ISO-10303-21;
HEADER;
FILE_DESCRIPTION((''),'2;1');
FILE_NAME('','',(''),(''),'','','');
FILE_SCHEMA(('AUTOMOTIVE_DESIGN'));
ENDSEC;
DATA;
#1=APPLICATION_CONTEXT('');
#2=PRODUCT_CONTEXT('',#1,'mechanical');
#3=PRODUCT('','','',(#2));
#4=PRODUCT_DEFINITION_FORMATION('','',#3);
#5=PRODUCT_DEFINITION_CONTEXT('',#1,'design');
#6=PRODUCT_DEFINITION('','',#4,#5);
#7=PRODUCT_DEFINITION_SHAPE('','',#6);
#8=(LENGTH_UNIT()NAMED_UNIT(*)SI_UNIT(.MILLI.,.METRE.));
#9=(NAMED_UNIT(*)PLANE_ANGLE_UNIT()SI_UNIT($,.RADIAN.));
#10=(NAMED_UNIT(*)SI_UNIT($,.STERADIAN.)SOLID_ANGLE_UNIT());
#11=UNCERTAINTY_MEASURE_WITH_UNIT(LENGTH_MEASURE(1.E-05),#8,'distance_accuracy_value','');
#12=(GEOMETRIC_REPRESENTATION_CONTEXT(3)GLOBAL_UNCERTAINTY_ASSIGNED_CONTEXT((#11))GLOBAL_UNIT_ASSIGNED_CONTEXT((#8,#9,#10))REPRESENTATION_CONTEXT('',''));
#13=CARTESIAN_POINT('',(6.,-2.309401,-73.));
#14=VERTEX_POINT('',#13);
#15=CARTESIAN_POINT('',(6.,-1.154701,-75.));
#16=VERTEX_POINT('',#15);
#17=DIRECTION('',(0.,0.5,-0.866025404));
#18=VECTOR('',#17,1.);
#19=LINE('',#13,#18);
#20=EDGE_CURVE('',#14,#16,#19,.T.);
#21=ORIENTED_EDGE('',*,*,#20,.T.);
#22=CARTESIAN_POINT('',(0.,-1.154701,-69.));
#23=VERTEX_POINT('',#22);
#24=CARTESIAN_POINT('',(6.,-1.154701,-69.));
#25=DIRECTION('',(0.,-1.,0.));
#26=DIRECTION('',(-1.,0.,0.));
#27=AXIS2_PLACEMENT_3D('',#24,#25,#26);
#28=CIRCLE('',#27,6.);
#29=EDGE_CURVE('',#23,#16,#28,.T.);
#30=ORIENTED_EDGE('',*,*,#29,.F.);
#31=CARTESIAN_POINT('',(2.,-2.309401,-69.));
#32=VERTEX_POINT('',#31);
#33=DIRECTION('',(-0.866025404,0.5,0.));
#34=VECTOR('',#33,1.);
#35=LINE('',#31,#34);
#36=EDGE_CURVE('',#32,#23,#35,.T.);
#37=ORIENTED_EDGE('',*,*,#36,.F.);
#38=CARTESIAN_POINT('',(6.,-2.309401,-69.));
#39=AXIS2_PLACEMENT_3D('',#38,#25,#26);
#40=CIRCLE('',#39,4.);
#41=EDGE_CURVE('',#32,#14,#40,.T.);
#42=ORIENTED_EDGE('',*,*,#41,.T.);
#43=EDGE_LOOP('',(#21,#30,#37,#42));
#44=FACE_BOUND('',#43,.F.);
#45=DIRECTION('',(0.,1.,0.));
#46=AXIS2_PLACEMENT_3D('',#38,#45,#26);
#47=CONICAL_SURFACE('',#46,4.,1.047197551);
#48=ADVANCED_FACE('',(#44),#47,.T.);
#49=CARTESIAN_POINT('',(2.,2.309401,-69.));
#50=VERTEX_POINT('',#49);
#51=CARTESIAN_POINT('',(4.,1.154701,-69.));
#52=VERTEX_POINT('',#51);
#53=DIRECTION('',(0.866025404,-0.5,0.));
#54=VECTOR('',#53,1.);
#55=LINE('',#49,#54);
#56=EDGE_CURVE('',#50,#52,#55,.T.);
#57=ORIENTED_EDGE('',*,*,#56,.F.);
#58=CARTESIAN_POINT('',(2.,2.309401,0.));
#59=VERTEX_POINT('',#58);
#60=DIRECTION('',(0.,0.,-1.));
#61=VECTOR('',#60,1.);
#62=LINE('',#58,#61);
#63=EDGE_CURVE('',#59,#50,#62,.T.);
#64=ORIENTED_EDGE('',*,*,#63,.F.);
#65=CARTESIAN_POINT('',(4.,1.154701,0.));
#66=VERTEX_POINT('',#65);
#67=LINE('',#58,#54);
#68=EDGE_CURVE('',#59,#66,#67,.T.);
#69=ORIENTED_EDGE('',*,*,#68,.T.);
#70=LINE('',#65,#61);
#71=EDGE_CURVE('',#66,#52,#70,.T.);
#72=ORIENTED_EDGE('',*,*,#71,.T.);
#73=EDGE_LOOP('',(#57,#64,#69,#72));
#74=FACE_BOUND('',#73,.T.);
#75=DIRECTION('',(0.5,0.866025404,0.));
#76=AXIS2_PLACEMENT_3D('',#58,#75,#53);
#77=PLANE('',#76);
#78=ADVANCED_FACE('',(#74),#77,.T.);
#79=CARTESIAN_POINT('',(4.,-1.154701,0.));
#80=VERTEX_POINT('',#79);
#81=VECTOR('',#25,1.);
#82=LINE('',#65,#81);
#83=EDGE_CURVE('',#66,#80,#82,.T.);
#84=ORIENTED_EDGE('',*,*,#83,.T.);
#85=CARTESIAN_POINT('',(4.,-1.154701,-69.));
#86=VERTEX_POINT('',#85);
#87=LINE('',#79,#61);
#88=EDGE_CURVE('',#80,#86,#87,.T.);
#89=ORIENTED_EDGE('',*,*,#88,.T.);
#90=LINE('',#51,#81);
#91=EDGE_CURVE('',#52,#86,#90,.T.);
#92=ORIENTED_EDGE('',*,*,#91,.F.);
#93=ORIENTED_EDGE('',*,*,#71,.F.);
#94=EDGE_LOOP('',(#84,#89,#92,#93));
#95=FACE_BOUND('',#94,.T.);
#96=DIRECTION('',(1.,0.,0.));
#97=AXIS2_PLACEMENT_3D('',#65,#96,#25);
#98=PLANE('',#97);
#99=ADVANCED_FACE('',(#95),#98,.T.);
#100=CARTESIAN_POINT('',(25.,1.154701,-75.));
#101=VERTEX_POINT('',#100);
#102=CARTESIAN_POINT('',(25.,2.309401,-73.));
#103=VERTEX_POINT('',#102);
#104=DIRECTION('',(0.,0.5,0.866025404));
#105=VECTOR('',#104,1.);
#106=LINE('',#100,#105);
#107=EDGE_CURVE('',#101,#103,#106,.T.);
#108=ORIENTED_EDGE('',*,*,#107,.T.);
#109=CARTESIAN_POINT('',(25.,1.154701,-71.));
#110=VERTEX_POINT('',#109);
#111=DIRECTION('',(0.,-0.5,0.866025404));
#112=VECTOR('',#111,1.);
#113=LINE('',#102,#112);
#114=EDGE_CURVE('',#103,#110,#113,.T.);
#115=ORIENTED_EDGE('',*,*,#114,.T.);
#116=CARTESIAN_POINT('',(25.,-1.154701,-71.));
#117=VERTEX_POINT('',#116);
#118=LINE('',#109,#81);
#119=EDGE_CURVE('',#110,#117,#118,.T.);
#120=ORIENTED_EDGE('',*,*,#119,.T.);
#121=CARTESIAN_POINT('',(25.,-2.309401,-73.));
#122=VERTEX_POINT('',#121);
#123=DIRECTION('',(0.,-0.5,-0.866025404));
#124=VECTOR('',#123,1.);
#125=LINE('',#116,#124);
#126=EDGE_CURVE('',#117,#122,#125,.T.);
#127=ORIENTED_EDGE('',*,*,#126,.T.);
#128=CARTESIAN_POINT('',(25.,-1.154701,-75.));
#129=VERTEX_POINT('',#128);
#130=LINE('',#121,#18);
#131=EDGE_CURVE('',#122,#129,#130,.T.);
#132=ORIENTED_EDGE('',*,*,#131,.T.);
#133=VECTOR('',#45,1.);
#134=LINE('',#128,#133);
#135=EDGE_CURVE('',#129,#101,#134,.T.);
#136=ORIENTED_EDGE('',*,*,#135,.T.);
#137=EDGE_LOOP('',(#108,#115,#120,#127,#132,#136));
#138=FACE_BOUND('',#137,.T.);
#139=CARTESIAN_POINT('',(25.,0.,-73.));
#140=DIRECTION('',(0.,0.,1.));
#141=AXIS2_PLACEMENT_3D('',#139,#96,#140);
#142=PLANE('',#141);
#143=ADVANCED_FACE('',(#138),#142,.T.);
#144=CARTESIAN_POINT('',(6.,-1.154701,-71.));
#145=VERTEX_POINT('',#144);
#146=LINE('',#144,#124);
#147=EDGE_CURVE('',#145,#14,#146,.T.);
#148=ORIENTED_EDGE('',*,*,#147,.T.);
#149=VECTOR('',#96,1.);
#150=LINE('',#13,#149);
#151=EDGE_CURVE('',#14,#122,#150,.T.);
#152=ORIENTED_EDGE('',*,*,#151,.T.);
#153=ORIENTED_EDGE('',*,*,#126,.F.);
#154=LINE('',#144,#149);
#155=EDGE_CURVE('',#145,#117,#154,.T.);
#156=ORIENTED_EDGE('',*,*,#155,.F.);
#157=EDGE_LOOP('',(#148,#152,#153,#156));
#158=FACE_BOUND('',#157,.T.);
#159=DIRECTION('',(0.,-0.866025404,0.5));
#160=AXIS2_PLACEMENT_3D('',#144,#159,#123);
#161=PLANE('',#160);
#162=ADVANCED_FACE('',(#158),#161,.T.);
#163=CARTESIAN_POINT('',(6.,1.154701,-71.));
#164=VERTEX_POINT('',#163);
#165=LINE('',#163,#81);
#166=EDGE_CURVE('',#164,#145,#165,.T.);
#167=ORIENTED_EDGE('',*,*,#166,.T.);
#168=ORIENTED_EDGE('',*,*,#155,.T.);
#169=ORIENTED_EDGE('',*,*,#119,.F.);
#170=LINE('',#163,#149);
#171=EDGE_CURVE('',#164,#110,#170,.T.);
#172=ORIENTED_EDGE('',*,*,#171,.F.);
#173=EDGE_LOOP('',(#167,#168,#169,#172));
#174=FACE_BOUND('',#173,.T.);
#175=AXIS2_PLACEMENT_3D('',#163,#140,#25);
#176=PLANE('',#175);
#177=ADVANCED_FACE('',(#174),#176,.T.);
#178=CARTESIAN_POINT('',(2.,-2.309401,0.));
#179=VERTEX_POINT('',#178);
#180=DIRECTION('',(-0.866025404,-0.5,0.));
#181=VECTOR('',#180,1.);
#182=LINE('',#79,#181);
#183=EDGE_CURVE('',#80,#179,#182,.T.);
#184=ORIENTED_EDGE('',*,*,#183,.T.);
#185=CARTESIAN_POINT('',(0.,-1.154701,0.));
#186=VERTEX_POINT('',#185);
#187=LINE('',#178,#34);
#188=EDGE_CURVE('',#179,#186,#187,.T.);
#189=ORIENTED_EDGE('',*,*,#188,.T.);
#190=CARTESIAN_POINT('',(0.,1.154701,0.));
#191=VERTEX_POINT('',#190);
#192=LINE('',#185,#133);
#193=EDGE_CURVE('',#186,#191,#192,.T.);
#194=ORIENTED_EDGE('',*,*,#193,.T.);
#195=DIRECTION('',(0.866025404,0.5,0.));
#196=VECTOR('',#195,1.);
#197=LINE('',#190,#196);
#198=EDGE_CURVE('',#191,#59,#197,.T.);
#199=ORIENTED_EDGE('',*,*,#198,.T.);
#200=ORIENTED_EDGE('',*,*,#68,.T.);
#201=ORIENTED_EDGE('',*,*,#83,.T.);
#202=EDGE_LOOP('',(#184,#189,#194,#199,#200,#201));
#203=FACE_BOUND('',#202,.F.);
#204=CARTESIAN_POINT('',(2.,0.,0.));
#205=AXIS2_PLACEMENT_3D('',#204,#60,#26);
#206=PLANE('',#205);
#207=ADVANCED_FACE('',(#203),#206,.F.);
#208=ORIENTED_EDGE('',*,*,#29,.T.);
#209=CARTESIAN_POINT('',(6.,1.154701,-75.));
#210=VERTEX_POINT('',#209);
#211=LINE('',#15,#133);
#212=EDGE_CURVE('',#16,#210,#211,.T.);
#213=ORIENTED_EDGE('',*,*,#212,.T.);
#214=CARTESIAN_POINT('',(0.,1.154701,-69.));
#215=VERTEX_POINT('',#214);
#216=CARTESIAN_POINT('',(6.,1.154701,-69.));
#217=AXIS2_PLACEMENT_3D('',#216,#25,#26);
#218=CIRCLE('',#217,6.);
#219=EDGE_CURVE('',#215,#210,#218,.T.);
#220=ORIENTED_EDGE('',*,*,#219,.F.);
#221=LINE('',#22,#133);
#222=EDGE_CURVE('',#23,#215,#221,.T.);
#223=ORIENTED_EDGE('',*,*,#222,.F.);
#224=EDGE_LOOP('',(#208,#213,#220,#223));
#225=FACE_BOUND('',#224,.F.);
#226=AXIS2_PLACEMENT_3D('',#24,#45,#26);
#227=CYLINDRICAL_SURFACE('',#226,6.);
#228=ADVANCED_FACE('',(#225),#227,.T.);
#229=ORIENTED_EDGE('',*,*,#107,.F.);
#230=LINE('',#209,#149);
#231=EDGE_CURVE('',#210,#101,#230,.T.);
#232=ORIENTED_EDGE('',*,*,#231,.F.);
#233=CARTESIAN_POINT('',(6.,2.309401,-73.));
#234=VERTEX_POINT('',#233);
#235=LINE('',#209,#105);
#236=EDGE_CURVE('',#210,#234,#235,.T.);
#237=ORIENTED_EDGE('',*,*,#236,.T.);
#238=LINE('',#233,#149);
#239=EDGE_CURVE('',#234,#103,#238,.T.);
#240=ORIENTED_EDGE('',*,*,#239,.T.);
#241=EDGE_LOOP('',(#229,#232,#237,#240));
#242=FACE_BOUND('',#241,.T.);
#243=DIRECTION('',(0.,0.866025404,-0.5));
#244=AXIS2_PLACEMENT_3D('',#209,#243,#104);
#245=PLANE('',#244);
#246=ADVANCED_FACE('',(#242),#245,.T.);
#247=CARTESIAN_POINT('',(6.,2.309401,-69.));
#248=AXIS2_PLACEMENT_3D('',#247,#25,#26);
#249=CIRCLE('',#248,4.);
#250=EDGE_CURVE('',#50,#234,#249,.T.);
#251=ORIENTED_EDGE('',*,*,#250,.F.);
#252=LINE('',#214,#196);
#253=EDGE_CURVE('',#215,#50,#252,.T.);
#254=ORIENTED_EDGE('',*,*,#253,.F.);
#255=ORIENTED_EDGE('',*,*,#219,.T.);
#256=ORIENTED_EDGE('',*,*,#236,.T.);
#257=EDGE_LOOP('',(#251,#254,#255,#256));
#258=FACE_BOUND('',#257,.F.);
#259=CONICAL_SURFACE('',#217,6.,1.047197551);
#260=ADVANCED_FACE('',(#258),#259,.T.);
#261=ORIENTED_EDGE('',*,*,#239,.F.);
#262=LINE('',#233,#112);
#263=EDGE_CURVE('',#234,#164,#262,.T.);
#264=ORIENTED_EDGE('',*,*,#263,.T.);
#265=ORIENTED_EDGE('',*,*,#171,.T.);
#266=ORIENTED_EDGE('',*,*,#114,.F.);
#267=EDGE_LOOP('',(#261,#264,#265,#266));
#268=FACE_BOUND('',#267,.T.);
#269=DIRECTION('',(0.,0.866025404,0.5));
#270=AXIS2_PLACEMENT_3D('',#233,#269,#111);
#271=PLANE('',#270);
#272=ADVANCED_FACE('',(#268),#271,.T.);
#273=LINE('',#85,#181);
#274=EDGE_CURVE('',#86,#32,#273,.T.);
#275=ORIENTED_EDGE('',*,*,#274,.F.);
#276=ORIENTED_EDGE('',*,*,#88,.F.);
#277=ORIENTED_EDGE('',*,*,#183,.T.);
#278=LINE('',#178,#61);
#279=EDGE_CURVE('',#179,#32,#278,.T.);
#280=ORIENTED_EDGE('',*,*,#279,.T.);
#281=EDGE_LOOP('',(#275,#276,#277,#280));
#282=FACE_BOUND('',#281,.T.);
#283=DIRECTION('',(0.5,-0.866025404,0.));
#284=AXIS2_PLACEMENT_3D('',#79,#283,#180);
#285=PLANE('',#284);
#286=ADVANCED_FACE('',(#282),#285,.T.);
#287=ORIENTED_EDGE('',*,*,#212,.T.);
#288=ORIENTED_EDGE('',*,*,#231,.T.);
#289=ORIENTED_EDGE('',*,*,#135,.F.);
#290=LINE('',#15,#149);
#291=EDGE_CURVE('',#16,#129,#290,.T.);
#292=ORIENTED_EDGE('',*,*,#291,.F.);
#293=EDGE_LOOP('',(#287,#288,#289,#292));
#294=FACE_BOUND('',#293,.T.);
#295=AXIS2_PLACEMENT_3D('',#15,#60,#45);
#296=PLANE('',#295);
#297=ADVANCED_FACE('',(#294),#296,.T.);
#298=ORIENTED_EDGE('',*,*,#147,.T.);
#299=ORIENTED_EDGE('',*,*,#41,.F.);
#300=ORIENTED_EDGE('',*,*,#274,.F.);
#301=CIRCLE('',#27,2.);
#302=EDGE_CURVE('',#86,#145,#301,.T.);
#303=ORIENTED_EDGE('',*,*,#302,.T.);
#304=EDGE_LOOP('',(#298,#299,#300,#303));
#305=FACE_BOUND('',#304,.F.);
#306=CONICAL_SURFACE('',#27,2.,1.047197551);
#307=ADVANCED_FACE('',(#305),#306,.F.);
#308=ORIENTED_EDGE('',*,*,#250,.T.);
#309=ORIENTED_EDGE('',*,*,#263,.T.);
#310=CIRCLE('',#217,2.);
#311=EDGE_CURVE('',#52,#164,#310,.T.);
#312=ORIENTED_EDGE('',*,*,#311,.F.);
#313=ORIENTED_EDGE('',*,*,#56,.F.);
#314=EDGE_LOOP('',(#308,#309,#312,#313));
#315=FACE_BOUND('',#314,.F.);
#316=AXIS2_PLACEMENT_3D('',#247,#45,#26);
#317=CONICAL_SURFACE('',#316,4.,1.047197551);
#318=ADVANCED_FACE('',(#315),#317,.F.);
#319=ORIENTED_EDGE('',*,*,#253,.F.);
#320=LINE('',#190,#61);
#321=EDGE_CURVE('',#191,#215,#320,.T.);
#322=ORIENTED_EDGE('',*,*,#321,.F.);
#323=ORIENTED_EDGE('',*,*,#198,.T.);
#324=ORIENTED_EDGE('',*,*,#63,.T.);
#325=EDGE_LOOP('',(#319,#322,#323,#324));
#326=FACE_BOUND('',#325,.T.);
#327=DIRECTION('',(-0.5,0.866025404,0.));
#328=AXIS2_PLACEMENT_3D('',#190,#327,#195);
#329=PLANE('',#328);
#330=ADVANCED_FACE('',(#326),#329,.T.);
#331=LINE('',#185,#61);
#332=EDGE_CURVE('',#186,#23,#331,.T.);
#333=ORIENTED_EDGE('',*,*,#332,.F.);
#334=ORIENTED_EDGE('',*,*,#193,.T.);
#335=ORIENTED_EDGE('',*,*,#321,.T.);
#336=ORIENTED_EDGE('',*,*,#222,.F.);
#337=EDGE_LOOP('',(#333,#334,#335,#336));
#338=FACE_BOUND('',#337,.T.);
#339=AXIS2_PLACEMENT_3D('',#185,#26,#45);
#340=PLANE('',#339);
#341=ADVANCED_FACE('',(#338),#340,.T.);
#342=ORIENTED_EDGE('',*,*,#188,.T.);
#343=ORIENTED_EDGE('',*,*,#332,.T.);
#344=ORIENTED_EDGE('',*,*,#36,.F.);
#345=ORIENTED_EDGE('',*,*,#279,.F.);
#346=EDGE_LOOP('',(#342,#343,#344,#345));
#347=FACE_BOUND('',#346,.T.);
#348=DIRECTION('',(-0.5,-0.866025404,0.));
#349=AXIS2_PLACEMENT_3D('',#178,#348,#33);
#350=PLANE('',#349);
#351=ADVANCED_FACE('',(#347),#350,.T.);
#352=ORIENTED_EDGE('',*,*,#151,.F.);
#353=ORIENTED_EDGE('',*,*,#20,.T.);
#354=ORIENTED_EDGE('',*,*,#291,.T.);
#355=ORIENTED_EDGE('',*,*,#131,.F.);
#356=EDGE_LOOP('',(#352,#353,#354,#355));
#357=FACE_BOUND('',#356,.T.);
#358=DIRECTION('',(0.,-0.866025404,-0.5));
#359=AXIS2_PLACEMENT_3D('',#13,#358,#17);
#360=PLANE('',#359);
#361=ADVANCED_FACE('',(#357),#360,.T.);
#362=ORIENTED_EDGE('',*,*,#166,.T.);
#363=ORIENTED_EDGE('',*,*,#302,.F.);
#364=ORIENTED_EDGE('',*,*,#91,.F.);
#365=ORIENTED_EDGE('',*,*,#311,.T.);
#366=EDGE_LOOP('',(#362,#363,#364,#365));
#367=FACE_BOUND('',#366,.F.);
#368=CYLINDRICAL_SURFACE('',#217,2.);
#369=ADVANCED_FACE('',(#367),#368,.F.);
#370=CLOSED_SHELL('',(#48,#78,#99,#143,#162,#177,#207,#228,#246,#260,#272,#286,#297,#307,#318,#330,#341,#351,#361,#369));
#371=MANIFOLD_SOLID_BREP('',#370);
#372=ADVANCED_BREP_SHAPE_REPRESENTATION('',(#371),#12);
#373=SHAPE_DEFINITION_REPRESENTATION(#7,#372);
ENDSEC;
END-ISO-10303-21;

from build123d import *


with BuildPart() as part:
    # Sweep2: sweep along a path in Sketch1
    with BuildLine(Plane(origin=(0, 0, 0), x_dir=(1, 0, 0), z_dir=(0, 1, 0))) as sweep2_path:
        Line((0, 0), (0, 69))
        ThreePointArc((0, 69), (1.757359313, 73.242640687), (6, 75))
        Line((6, 75), (25, 75))
    # Sketch3 → Sweep2 (sweep)
    with BuildSketch(Plane(origin=(25, 0, 0), x_dir=(0, 0, -1), z_dir=(1, 0, 0))):
        Polygon((75, -1.154700538), (75, 1.154700538), (73, 2.309401077), (71, 1.154700538), (71, -1.154700538), (73, -2.309401077), align=None)
    sweep(path=sweep2_path.line)


solid = part.part
